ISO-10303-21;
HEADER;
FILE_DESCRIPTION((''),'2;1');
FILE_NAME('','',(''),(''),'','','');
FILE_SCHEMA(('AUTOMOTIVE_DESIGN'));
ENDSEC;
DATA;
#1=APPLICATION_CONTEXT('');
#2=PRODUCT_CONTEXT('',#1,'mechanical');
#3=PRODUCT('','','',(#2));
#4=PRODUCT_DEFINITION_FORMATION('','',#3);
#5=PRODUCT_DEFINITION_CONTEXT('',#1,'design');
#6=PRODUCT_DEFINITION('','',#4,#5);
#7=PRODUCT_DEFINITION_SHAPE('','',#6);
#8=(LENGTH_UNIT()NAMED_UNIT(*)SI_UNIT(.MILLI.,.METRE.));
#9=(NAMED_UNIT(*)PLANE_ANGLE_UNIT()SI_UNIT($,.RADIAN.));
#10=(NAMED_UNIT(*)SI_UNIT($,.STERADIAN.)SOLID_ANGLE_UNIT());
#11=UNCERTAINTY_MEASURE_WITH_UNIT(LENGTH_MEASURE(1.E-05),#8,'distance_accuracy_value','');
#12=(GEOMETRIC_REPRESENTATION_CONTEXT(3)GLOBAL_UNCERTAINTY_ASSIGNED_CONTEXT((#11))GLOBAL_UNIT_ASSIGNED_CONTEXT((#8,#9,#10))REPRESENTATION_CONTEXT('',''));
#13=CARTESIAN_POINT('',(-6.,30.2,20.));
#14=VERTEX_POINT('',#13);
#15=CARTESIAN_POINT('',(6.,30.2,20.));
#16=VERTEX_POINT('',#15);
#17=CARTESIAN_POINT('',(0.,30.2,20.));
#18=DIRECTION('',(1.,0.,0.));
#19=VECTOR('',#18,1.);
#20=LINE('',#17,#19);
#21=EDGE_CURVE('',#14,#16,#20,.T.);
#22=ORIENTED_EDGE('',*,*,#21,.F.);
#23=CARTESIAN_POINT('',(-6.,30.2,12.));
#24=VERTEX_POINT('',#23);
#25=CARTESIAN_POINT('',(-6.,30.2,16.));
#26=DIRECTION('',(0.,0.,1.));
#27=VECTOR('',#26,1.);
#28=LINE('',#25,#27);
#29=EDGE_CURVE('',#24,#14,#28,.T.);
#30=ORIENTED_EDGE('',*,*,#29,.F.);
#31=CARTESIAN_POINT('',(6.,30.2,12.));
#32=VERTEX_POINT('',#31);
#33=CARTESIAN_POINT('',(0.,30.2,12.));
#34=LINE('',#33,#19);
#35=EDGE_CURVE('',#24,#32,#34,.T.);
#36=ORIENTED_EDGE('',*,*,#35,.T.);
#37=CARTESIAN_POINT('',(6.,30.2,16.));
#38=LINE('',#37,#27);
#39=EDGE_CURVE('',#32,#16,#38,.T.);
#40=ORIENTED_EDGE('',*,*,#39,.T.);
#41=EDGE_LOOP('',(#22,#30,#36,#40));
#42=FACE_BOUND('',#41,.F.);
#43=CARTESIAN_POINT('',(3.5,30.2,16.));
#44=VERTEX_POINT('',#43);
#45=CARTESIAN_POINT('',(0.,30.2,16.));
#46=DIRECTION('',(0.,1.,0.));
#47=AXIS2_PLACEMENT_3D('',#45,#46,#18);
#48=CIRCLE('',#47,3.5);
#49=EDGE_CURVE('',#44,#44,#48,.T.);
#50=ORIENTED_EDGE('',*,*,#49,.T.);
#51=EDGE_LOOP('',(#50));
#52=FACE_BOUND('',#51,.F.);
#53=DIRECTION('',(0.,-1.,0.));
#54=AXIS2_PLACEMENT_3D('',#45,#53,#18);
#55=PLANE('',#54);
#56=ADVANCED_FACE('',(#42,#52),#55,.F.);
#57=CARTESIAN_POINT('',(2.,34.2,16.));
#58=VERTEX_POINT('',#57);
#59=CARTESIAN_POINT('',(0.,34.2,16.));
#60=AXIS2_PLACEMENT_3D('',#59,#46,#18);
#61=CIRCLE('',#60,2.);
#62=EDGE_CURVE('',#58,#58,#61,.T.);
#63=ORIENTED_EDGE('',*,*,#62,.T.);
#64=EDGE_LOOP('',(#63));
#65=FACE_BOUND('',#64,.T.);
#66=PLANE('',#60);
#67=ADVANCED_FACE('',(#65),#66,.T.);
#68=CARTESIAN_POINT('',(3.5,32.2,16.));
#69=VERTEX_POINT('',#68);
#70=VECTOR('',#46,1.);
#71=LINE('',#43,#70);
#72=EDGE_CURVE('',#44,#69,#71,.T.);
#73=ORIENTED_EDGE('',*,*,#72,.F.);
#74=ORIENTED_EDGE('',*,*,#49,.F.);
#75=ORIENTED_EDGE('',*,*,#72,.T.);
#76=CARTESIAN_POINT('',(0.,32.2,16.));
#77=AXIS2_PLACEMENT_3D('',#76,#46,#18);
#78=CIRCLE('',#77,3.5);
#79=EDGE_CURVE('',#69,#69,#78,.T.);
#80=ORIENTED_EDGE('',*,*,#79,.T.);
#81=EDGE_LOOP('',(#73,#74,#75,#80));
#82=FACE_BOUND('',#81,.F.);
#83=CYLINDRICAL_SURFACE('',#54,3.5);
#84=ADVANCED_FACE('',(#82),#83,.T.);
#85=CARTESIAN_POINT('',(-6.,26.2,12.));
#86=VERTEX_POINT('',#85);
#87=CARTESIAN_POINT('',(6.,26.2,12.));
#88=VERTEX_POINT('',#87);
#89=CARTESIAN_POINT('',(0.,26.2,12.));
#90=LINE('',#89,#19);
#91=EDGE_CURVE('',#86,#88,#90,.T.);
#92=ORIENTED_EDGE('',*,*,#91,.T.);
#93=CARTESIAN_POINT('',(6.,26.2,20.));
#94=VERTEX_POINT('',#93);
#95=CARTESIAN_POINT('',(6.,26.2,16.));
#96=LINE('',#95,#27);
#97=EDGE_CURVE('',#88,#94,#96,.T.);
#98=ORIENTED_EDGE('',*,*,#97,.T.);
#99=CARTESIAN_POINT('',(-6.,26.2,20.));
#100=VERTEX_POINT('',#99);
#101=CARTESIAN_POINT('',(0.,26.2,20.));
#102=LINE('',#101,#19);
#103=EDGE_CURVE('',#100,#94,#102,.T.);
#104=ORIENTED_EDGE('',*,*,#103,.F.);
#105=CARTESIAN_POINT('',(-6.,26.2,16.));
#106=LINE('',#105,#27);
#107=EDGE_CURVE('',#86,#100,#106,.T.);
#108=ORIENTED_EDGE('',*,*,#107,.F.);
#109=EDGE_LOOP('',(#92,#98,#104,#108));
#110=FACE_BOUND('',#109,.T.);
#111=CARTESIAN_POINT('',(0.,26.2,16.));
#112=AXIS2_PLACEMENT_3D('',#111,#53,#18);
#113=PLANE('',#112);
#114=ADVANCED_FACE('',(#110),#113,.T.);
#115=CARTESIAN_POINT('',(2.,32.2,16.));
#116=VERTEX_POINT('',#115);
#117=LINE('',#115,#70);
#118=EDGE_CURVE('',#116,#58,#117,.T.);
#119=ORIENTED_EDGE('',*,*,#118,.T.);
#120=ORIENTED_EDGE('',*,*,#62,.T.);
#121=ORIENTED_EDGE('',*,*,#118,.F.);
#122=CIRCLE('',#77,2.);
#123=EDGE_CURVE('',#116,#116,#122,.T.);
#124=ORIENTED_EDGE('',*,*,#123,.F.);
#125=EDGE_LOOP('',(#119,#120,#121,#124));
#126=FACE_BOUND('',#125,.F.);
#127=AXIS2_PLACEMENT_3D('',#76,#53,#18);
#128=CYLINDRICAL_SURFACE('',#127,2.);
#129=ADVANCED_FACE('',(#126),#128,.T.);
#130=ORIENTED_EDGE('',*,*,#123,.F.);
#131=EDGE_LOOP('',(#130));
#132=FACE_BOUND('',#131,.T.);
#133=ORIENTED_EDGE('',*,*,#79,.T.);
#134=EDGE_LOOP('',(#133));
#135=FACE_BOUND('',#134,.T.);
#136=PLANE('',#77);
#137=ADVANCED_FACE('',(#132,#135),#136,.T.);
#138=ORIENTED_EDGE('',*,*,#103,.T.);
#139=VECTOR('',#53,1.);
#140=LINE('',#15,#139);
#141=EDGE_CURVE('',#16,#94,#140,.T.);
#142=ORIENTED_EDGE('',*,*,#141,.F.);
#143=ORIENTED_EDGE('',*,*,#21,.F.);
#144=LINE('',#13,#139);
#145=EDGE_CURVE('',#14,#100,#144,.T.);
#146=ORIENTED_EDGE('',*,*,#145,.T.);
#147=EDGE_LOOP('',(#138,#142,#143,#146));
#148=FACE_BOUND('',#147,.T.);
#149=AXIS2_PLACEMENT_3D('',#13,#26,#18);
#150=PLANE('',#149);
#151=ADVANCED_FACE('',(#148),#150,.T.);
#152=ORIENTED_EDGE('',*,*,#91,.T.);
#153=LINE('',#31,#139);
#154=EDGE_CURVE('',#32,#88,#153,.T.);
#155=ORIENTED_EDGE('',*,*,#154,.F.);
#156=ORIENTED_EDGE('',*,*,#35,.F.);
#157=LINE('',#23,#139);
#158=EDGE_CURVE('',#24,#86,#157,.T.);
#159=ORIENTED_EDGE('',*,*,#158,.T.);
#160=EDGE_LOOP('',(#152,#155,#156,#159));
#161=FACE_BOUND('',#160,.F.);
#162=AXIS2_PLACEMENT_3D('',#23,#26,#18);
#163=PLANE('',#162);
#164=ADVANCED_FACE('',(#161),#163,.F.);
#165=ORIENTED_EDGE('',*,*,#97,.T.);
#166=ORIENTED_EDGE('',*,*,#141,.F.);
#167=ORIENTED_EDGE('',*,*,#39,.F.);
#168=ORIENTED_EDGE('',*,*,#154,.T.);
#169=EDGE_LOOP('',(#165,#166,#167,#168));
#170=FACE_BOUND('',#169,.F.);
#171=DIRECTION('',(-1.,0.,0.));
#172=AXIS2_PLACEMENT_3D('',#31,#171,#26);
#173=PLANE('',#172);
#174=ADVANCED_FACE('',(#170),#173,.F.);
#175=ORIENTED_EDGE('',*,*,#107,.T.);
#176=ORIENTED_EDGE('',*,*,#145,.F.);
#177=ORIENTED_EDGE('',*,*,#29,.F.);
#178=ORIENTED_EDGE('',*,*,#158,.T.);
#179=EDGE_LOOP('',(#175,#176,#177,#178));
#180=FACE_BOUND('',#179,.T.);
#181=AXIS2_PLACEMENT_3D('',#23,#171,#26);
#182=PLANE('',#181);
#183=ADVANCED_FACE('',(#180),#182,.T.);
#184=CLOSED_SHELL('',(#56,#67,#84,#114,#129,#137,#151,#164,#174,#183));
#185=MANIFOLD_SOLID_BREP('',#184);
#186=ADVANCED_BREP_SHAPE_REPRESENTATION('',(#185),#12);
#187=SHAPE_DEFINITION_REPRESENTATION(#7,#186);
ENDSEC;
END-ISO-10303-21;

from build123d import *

# Parameters (mm, degrees)
SKETCH008_W             = 12
SKETCH008_H             = 8
PAD006_DEPTH            = 4
SKETCH009_R             = 3.5
PAD007_DEPTH            = 2
SKETCH010_R             = 2
PAD008_DEPTH            = 2
BODY002_PLACEMENT_ANGLE = 90


with BuildPart() as part:
    # Sketch008 → Pad006 (new body)
    with BuildSketch(Plane.XY):
        Rectangle(SKETCH008_W, SKETCH008_H)
    extrude(amount=PAD006_DEPTH)

    # Sketch009 (on Face5 of Pad006) → Pad007 (join)
    with BuildSketch(Plane(origin=(0, 0, 0), x_dir=(1, 0, 0), z_dir=(0, 0, -1))):
        Circle(SKETCH009_R)
    extrude(amount=PAD007_DEPTH)

    # Sketch010 (on Face8 of Pad007) → Pad008 (join)
    with BuildSketch(Plane(origin=(0, 0, -2), x_dir=(1, 0, 0), z_dir=(0, 0, -1))):
        Circle(SKETCH010_R)
    extrude(amount=PAD008_DEPTH)


with BuildPart() as part_1:
    # Body002 placement: moved
    add(part.part.moved(Location((0, 30.2, 16))).rotate(Axis((0, 30.2, 16), (1, 0, 0)), BODY002_PLACEMENT_ANGLE))


solid = part_1.part
